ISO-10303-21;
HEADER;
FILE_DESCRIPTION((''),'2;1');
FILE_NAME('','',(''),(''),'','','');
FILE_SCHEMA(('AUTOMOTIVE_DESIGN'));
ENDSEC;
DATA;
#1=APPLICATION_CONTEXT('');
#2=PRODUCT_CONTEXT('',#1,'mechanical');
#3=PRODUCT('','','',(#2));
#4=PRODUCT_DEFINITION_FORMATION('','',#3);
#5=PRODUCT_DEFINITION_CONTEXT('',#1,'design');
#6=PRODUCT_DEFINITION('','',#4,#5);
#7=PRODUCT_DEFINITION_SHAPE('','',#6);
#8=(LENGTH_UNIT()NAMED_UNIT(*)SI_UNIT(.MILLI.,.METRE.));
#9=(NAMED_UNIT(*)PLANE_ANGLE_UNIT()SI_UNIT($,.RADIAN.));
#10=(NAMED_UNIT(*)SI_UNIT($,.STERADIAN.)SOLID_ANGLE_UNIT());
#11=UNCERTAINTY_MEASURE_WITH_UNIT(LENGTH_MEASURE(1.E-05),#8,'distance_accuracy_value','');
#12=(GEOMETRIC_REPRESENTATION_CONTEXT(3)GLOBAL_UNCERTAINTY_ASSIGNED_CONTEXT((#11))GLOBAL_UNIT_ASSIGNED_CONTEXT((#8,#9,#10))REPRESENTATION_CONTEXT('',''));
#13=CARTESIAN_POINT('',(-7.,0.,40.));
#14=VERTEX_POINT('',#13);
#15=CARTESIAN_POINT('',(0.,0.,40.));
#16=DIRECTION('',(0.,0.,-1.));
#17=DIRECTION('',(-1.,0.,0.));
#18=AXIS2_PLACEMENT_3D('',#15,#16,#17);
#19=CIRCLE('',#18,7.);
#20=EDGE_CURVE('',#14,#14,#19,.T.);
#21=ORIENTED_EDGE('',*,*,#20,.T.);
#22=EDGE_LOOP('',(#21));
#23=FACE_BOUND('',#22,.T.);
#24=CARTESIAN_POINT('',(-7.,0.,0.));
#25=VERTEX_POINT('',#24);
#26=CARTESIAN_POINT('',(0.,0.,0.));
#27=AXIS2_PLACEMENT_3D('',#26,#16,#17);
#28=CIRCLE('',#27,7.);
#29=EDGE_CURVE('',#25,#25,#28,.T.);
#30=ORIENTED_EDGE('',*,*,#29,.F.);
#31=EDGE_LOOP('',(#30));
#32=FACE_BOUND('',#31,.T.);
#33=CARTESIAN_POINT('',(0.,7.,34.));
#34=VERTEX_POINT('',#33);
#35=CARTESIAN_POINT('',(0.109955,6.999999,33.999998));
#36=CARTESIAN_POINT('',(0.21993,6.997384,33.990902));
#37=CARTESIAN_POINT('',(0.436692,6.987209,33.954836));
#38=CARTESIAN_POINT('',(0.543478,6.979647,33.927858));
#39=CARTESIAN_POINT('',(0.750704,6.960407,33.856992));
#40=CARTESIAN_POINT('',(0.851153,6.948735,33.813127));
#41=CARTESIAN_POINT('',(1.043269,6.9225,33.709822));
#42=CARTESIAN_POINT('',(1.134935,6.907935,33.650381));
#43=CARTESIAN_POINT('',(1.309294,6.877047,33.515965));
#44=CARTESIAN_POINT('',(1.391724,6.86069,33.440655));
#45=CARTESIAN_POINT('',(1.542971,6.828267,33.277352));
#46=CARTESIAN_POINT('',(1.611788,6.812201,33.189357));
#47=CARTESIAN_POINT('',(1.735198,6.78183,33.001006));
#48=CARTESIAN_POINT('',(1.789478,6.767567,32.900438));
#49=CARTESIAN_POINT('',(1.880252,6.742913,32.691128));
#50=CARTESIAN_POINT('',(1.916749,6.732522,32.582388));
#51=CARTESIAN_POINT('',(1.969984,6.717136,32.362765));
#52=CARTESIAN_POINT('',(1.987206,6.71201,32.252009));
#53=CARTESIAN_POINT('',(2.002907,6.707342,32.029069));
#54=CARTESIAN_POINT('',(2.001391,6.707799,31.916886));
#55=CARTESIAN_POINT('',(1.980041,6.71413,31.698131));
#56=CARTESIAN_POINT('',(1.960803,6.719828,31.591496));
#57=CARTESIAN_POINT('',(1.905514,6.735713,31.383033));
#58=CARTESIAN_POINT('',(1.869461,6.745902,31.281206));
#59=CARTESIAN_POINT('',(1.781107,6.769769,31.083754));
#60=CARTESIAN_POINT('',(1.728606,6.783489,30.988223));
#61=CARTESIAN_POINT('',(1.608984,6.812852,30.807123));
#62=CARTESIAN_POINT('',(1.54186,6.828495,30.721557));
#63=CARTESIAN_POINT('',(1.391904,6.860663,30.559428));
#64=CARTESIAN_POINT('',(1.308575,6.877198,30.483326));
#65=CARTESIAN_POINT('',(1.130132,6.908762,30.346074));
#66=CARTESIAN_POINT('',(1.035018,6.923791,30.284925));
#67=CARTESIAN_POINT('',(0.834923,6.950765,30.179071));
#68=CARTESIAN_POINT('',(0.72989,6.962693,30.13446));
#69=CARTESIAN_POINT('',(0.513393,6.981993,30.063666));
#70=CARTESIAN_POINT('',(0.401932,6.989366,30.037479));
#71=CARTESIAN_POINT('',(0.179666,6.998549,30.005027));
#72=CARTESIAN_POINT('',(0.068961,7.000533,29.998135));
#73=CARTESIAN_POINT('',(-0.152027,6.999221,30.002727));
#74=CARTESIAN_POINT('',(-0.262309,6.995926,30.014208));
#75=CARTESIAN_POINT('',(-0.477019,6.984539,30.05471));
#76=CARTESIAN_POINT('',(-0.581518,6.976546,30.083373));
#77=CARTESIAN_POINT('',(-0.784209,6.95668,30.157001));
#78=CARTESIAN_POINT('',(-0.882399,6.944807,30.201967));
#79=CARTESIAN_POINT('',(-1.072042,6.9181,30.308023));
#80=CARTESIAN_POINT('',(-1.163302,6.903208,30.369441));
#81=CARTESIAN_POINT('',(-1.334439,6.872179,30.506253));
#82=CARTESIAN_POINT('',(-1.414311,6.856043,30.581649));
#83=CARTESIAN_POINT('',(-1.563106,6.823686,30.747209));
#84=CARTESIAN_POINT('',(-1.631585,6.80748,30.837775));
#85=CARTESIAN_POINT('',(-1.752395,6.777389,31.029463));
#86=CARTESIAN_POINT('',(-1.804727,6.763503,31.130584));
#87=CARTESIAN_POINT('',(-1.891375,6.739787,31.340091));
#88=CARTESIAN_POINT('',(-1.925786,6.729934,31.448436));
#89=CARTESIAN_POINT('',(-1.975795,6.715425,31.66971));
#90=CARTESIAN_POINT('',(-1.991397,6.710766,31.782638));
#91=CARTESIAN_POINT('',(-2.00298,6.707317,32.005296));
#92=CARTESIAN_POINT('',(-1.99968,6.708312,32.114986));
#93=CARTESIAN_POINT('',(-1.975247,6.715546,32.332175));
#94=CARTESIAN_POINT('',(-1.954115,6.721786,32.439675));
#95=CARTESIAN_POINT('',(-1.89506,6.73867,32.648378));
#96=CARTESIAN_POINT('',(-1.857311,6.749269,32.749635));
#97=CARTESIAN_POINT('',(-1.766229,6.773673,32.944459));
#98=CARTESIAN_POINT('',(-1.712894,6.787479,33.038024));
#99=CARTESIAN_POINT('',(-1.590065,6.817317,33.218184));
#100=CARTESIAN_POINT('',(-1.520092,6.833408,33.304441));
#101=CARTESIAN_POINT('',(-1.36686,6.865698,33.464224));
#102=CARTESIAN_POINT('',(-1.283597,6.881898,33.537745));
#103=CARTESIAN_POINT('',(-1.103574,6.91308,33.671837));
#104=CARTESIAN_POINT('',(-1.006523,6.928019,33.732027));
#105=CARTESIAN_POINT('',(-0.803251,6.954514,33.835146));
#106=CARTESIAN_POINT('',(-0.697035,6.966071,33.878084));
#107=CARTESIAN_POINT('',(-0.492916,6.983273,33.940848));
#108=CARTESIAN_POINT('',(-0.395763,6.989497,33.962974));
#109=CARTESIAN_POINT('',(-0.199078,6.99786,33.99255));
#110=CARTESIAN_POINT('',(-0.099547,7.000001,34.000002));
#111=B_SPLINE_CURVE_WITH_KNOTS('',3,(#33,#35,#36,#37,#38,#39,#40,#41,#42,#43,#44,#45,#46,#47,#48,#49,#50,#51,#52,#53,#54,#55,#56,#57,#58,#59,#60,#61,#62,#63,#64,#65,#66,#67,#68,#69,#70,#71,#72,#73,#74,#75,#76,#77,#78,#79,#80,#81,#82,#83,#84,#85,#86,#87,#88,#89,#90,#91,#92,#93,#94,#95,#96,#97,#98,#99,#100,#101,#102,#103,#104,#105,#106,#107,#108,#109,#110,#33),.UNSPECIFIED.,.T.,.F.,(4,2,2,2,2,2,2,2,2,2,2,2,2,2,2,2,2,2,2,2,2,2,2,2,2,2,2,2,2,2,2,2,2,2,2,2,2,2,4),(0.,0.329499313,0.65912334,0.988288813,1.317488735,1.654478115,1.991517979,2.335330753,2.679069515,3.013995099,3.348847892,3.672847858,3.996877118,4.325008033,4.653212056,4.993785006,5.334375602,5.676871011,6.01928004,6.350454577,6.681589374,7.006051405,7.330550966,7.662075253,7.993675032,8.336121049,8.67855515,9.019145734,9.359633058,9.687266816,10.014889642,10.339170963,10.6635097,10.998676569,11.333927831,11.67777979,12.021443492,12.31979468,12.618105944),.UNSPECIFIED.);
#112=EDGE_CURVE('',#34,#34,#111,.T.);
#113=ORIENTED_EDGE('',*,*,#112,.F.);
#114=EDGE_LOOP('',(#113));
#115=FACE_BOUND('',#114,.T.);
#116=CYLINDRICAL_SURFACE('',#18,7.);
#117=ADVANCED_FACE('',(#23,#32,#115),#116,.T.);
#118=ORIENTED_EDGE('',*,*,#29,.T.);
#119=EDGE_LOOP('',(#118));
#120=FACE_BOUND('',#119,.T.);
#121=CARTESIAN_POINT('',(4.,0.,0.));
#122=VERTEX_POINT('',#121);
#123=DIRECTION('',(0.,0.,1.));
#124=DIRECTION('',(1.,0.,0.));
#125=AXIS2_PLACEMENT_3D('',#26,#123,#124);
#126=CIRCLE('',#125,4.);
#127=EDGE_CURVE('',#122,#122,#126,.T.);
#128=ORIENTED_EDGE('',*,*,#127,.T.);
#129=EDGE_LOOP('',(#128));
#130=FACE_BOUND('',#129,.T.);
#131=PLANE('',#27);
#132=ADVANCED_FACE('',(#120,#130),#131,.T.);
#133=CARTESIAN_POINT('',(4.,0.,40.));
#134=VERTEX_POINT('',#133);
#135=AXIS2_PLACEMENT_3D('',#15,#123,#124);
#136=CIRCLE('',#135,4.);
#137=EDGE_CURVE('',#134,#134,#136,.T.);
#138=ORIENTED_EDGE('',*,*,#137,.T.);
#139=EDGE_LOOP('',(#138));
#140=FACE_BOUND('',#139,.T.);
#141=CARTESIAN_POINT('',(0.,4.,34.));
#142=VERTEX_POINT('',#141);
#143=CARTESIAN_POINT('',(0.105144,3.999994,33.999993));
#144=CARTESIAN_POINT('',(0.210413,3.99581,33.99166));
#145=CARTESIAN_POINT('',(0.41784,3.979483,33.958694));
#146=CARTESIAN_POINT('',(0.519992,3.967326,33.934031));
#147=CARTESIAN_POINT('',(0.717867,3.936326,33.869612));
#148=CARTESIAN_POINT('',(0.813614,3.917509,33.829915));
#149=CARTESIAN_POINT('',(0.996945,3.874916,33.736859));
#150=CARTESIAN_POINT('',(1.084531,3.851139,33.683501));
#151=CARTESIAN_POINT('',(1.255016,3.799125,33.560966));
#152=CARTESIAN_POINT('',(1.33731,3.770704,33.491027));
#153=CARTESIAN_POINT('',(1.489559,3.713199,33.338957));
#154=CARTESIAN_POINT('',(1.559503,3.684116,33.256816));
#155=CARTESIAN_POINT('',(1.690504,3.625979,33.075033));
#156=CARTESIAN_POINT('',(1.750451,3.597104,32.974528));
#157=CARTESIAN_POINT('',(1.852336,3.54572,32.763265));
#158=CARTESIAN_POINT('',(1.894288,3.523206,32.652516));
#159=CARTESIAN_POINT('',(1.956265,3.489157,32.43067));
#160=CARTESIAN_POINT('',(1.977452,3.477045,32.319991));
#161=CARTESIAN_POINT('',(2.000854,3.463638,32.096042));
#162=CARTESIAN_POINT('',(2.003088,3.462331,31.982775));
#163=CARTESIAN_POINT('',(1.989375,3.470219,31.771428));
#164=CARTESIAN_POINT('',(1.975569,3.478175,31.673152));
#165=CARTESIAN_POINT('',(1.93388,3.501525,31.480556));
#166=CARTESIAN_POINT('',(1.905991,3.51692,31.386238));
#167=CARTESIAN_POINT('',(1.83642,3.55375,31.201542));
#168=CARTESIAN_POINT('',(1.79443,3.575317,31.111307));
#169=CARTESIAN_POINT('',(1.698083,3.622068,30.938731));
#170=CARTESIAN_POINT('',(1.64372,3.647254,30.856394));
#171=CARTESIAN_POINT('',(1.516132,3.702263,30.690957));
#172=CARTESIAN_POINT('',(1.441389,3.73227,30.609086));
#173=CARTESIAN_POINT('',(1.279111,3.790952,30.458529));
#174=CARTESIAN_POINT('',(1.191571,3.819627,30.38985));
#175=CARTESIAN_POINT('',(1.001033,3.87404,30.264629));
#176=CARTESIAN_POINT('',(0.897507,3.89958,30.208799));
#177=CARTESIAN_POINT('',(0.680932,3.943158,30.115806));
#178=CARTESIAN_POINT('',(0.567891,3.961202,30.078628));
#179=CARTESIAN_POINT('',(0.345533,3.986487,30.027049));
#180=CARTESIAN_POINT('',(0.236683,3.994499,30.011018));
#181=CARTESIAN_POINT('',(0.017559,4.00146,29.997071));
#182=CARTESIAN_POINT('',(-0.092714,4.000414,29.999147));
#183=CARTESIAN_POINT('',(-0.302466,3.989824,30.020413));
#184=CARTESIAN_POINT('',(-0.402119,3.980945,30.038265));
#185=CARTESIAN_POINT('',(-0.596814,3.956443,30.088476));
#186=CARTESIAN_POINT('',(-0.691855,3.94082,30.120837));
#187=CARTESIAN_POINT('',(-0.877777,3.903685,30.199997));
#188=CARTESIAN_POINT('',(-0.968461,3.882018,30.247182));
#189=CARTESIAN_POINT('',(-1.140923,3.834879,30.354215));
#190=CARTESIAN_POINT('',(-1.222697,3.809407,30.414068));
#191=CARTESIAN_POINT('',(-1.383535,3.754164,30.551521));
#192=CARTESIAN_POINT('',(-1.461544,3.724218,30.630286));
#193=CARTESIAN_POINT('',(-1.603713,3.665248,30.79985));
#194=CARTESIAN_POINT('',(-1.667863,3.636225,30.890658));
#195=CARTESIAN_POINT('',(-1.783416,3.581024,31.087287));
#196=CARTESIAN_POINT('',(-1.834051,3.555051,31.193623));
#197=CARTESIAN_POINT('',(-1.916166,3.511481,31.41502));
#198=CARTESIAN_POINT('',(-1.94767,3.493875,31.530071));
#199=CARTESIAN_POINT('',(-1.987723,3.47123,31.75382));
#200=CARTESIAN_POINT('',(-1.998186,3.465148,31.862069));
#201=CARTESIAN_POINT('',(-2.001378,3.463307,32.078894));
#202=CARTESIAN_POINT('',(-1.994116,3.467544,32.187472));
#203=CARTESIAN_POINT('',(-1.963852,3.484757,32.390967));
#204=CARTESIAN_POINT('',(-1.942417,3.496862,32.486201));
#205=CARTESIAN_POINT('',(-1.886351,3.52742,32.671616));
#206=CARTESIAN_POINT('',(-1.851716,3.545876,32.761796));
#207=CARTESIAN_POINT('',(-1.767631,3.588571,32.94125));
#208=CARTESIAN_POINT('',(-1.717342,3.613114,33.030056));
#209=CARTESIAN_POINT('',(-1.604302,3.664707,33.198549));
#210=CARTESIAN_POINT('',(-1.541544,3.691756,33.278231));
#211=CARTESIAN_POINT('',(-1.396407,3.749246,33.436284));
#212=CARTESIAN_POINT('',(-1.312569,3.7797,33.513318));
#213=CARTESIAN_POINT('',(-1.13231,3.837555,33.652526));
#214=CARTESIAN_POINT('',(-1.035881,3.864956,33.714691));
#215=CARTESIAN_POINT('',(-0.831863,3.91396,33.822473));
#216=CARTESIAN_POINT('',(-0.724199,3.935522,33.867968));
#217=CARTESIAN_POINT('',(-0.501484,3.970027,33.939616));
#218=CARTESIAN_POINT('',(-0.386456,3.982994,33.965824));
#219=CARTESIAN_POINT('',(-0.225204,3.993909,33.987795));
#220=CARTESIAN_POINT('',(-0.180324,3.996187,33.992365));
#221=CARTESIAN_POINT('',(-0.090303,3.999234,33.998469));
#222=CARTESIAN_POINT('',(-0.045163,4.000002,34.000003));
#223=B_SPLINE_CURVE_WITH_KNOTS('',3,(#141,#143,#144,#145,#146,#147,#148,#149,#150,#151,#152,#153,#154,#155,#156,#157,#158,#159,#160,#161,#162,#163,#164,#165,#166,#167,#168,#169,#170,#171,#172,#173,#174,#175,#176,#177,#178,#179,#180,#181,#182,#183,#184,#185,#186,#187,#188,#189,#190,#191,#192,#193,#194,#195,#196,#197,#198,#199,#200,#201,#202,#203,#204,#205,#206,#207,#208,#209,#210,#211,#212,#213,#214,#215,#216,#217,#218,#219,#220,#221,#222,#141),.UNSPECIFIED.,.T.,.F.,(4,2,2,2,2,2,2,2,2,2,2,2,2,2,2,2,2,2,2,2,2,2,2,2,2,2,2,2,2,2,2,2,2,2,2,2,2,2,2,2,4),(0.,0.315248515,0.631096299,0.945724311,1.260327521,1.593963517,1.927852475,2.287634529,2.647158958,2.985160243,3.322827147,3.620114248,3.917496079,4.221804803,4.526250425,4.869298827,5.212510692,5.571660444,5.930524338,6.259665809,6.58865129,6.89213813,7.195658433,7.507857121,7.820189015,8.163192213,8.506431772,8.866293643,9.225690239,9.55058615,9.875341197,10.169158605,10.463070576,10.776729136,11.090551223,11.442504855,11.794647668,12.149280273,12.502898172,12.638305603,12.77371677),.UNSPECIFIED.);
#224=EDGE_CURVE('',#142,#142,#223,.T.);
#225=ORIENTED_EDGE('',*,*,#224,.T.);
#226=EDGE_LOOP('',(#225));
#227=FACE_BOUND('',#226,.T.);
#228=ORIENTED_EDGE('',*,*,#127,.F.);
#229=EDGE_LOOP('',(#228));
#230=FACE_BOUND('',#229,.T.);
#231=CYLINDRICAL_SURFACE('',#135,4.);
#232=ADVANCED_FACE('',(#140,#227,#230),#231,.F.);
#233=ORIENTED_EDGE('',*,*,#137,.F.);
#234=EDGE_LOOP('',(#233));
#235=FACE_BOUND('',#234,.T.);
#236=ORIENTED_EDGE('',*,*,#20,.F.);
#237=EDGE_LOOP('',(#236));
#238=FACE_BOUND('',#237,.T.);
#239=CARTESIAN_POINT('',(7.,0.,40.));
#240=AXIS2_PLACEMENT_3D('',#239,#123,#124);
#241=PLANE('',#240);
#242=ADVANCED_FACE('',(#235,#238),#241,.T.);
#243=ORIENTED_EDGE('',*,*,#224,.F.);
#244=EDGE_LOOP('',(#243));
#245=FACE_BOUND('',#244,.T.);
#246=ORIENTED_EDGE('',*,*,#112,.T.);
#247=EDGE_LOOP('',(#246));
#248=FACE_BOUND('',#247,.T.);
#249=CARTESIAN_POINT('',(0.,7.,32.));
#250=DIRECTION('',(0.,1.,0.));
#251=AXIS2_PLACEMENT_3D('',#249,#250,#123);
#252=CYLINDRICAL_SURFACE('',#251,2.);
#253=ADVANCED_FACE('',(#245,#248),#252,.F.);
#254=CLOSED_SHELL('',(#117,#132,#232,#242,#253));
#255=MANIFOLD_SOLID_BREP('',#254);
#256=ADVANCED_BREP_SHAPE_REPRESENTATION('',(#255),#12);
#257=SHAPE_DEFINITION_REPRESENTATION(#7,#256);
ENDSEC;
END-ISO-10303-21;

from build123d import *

# Parameters (mm, degrees)
SKETCH1_W                     = 7
SKETCH1_H                     = 40
F_8_0_8_DIAMETER_HOLE1_D      = 8
F_4_0_4_DIAMETER_HOLE1_REACH  = 37.623
F_4_0_4_DIAMETER_HOLE1_BORE_R = 2


with BuildPart() as part:
    # Sketch1 → Revolve1 (revolve)
    with BuildSketch(Plane.XZ, mode=Mode.PRIVATE) as revolve1_sk:
        with Locations((3.5, 20)):
            Rectangle(SKETCH1_W, SKETCH1_H)
    revolve(revolve1_sk.sketch.rotate(Axis((0, 0, 40), (0, 0, -1)), 180), axis=Axis((0, 0, 40), (0, 0, -1)))

    # Ø8.0 (8) Diameter Hole1 (through all)
    with Locations(Plane.XY.offset(40)):
        with Locations((0, 0)):
            Hole(F_8_0_8_DIAMETER_HOLE1_D / 2)

    # Ø4.0 (4) Diameter Hole1 bore (on position points) → Ø4.0 (4) Diameter Hole1 (cut, up to next)
    with BuildSketch(Plane(origin=(0, 7, 32), x_dir=(1, 0, 0), z_dir=(0, 1, 0)), mode=Mode.PRIVATE) as f_4_0_4_diameter_hole1_sk1:
        Circle(F_4_0_4_DIAMETER_HOLE1_BORE_R)
    f_4_0_4_diameter_hole1_tool1 = extrude(f_4_0_4_diameter_hole1_sk1.sketch, amount=-F_4_0_4_DIAMETER_HOLE1_REACH, mode=Mode.PRIVATE) & part.part
    add(f_4_0_4_diameter_hole1_tool1.solids().sort_by_distance((0, 7, 32))[0], mode=Mode.SUBTRACT)


solid = part.part
